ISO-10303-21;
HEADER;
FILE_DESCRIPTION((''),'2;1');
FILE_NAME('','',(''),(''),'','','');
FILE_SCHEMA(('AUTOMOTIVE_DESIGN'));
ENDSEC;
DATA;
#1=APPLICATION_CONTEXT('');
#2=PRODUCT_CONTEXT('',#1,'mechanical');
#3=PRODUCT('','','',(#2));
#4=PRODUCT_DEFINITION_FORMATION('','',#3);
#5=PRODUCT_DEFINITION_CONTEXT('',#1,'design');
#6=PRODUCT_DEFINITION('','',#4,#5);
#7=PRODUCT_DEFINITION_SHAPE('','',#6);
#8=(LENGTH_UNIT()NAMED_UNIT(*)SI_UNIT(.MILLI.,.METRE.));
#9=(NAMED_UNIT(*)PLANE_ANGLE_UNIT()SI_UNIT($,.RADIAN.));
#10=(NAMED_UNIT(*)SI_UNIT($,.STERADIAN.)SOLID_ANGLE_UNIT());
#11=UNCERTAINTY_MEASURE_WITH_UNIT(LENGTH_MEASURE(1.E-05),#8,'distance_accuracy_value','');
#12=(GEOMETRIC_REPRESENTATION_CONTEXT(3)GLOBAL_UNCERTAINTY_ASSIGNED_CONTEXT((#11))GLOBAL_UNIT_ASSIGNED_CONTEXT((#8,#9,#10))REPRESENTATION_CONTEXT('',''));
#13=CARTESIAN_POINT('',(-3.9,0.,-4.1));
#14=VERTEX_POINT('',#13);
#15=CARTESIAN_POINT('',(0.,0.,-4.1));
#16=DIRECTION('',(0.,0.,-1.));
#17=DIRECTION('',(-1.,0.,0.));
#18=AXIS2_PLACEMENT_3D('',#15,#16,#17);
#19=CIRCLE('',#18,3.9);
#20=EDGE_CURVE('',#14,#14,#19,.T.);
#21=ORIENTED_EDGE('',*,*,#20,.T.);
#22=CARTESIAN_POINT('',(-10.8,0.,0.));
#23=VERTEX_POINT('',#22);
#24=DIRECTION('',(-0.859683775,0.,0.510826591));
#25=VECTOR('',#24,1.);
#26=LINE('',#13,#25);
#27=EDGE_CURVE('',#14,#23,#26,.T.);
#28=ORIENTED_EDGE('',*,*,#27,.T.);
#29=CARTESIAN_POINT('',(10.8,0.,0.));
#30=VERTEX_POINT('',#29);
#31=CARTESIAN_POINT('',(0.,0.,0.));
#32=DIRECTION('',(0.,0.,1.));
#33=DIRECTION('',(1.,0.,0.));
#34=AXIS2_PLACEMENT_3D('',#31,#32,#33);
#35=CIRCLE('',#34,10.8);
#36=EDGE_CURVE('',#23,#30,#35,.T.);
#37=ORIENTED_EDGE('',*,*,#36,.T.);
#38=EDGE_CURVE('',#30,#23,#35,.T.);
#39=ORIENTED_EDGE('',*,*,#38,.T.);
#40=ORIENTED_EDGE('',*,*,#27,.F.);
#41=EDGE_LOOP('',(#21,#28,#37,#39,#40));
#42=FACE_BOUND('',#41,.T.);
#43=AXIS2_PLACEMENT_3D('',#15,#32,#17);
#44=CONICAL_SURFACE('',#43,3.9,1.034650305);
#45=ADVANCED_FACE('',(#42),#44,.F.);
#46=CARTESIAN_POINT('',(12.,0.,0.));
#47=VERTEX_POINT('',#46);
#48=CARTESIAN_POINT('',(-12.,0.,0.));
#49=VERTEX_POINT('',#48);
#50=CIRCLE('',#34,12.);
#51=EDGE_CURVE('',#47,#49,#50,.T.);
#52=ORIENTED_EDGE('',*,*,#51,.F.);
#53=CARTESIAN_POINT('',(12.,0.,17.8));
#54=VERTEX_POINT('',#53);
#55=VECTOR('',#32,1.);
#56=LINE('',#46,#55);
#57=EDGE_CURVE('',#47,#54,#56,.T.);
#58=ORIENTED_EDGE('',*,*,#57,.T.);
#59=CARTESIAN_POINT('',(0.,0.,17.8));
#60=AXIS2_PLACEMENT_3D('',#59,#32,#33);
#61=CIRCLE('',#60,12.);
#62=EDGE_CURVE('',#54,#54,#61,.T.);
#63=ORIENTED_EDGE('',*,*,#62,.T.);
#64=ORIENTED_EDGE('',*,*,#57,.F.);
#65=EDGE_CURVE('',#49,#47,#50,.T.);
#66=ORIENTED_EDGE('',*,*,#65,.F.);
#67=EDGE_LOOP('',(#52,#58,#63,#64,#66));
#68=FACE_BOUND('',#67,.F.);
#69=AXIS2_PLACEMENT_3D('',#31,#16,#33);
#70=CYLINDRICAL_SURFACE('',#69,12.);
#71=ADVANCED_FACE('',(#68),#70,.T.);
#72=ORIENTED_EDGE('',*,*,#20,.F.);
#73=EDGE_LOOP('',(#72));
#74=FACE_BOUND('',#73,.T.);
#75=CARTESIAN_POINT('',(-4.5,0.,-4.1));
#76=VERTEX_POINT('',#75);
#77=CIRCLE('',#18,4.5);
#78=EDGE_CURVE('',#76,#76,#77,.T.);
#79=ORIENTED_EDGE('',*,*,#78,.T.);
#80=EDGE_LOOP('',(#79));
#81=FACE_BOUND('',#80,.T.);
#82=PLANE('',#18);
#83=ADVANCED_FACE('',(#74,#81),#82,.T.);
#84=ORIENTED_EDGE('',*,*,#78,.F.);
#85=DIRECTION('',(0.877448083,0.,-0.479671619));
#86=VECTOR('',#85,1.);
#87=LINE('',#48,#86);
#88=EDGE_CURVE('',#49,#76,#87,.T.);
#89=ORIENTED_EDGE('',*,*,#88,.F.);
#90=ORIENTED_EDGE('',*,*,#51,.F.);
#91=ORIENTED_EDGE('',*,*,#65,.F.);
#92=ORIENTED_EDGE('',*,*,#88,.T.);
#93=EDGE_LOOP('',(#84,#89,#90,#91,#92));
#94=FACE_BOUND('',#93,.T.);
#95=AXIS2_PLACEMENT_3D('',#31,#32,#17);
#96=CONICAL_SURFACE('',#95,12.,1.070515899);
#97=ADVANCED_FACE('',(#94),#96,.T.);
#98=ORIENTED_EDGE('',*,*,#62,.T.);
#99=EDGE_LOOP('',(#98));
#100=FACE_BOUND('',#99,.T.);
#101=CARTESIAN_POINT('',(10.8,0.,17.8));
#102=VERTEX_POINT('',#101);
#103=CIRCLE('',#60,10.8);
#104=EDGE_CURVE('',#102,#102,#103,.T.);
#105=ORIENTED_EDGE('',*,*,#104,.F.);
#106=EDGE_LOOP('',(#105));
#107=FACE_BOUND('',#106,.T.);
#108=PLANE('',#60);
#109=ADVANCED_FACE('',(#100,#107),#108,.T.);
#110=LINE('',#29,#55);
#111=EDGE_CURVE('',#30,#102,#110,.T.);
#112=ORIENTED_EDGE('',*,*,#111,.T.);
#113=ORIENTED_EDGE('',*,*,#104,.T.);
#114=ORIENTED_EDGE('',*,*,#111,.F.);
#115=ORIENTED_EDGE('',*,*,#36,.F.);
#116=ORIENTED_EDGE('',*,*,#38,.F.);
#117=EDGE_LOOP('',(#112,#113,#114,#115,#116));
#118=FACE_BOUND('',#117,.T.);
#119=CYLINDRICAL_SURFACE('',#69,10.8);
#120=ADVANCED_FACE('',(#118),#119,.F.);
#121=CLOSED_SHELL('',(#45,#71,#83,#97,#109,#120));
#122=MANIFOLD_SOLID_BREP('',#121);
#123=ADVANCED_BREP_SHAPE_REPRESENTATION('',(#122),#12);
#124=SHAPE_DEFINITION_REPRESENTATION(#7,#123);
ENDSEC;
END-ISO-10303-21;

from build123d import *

# Parameters (mm, degrees)
F0_R     = 12
F0_R_2   = 10.8
F1_DEPTH = 17.8


with BuildPart() as f1:
    # F0 (on Top) → F1 (new body)
    with BuildSketch(Plane.XY):
        Circle(F0_R)
        Circle(F0_R_2, mode=Mode.SUBTRACT)
    extrude(amount=F1_DEPTH)

    # F2 (on Front) → F3 (revolve)
    with BuildSketch(Plane.XZ):
        Polygon((-3.9, -4.1), (-10.8, 0), (-12, 0), (-4.5, -4.1), align=None)
    revolve(axis=Axis((0, 0, -2.05), (0, 0, -1)))


solid = f1.part
